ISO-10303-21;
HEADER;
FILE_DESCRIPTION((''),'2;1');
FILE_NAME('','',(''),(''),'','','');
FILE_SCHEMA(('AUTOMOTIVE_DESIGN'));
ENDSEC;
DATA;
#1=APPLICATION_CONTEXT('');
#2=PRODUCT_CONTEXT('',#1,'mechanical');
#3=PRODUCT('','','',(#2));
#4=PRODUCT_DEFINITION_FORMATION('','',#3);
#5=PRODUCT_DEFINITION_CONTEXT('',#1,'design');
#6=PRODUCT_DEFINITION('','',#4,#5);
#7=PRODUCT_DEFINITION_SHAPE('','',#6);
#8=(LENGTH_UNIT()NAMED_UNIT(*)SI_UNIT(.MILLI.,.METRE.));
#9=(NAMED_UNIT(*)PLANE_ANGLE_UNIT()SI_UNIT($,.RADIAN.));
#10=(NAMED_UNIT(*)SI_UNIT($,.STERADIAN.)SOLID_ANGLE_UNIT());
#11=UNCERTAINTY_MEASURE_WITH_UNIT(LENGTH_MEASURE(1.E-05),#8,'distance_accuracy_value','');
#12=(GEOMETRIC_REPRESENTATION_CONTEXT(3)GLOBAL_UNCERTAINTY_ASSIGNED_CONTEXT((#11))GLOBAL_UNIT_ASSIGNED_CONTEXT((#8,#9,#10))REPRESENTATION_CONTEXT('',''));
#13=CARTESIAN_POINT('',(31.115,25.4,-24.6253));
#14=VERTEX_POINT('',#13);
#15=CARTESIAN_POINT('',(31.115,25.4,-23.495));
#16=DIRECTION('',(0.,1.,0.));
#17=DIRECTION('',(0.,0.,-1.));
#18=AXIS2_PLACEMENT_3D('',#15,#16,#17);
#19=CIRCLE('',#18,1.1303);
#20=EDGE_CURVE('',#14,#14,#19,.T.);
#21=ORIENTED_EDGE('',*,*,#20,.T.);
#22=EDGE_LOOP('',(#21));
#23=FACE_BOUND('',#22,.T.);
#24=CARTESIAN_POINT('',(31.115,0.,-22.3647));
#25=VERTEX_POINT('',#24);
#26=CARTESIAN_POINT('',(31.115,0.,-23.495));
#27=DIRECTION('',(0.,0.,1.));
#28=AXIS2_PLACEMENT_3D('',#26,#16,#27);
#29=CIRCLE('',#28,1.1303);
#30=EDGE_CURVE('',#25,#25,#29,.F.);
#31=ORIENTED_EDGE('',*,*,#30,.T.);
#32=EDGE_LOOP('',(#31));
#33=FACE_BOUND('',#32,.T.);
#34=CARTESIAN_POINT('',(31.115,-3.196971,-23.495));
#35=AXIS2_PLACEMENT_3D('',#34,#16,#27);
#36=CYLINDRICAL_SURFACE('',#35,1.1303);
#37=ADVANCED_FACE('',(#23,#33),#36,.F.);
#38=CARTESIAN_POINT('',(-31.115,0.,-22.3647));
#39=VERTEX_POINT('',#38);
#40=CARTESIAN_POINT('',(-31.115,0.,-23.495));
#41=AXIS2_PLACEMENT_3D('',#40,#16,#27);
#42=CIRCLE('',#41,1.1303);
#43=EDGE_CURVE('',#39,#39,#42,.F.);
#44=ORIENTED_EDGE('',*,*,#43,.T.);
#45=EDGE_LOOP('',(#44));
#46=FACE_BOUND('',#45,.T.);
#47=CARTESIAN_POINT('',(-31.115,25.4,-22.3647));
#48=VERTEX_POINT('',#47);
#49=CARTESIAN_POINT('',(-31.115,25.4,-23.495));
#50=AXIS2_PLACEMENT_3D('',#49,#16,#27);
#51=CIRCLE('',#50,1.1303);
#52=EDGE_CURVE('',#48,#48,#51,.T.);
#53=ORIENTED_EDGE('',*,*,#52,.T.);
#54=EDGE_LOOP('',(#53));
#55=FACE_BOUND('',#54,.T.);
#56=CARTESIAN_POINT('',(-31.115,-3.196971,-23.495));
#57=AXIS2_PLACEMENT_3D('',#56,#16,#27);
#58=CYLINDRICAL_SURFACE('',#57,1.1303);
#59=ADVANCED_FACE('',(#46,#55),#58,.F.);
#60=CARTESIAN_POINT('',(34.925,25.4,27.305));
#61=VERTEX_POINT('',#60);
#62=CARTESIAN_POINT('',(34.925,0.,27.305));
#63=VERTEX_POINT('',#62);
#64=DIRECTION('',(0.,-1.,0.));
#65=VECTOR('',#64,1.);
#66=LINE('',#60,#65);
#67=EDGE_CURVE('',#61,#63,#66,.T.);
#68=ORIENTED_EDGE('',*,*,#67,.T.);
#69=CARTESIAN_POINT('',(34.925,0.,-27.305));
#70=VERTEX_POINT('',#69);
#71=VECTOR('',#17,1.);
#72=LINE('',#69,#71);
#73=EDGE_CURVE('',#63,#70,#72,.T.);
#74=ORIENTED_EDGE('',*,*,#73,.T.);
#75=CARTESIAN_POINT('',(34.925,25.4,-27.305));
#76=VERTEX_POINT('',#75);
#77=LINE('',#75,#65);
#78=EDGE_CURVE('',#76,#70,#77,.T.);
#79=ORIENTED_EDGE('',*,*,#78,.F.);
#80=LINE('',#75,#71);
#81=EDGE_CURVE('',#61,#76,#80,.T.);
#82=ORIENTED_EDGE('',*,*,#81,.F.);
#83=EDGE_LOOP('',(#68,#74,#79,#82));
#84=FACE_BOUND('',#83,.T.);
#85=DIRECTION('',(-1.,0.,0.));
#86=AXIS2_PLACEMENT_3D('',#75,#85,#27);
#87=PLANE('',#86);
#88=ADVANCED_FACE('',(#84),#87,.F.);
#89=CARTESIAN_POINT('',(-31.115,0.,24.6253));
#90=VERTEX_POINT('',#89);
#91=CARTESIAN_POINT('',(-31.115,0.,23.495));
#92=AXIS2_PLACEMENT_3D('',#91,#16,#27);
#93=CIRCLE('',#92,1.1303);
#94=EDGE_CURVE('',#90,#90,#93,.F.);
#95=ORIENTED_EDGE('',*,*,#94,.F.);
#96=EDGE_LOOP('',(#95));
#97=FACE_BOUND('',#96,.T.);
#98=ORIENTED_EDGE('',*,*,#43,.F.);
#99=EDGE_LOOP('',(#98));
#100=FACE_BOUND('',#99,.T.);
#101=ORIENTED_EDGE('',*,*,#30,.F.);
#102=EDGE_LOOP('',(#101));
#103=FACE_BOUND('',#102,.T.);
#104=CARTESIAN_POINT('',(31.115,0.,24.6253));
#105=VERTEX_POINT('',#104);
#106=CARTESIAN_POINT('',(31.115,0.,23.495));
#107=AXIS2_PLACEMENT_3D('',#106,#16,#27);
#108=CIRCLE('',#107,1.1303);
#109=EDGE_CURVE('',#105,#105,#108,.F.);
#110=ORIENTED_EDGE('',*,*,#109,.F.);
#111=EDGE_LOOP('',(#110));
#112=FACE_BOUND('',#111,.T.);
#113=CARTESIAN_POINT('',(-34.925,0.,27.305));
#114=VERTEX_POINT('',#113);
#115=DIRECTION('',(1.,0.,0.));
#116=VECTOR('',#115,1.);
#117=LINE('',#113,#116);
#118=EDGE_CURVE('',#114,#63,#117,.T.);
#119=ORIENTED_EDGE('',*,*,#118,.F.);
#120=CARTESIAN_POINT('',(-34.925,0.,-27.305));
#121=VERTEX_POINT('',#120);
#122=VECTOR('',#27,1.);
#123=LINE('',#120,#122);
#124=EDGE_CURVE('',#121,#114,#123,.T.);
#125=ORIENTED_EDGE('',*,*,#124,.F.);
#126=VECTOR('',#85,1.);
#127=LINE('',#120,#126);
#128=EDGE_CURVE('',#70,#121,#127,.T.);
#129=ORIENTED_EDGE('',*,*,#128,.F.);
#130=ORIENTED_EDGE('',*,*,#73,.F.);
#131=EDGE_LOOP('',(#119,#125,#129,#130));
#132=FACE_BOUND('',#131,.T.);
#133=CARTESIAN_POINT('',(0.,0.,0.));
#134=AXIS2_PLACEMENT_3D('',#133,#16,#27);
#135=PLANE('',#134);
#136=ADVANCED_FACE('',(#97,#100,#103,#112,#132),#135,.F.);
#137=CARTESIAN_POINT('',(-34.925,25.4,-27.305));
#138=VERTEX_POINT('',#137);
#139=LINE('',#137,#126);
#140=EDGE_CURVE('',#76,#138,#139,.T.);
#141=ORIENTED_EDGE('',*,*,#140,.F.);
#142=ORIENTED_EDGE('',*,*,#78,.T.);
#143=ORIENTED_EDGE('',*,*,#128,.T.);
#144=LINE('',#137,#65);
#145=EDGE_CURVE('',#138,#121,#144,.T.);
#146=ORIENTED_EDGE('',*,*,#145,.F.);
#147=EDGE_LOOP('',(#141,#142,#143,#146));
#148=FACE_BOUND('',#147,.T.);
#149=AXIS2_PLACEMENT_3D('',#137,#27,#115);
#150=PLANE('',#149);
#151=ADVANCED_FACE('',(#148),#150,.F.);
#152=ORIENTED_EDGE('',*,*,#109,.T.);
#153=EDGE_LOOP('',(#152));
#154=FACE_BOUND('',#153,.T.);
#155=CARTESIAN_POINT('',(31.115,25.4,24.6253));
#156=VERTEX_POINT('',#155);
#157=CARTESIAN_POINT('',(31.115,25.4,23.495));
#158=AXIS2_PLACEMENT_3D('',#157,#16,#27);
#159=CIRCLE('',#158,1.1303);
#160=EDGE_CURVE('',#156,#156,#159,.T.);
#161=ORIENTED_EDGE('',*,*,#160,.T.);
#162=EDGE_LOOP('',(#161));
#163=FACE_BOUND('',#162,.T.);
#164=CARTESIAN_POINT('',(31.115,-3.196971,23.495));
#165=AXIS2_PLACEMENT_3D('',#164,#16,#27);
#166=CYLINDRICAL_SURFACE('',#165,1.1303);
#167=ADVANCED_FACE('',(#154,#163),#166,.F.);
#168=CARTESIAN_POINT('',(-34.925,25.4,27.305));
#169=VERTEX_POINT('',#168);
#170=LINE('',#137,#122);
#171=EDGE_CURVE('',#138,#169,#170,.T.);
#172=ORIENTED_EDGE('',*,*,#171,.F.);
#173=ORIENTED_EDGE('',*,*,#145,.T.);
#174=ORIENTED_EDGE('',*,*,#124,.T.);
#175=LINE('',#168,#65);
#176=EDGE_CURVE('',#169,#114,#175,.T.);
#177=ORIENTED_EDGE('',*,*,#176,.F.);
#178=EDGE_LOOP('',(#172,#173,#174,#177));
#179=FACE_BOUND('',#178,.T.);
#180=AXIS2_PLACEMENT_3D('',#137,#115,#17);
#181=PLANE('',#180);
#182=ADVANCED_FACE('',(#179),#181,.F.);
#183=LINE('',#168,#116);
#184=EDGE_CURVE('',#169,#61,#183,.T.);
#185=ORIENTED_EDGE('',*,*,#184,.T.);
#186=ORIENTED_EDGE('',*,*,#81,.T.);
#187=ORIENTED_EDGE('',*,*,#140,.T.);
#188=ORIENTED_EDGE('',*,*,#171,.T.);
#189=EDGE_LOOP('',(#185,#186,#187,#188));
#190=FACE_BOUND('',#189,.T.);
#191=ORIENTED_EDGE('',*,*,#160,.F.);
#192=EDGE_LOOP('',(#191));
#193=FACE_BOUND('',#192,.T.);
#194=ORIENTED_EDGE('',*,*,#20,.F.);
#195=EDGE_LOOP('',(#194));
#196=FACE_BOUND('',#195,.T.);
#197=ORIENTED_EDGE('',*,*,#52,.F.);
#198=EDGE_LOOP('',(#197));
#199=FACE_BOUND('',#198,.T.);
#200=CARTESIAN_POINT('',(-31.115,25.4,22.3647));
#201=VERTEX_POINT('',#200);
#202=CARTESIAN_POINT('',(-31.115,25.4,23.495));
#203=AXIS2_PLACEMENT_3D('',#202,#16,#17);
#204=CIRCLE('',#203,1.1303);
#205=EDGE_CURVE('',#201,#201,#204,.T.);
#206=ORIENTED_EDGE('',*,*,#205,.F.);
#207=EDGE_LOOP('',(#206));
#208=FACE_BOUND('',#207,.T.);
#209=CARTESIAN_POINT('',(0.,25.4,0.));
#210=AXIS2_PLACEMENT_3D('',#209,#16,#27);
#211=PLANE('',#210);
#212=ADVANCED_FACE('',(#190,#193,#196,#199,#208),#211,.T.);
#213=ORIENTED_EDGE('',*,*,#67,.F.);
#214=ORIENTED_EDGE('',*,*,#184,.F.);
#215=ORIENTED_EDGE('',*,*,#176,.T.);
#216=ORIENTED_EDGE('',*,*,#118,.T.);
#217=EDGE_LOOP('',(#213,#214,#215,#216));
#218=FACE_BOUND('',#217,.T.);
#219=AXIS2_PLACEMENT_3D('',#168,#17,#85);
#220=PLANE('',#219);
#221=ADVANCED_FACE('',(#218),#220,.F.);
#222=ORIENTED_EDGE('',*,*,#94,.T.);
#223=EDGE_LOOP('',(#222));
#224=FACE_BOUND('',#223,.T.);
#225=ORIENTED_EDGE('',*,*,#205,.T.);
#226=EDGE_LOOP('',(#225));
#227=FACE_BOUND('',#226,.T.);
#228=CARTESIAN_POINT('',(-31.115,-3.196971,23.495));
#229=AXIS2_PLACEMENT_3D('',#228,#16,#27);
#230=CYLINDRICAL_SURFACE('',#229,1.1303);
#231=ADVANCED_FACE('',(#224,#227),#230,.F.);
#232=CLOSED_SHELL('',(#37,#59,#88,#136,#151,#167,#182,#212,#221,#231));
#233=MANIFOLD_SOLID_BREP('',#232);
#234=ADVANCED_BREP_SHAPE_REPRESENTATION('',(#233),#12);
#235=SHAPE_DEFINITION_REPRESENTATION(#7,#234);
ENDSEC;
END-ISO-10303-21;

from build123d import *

# Parameters (mm, degrees)
SKETCH1_W           = 69.85
SKETCH1_H           = 54.61
BOSS_EXTRUDE1_DEPTH = 25.4
SKETCH2_R           = 1.1303
CUT_EXTRUDE1_DEPTH  = 25.4


with BuildPart() as part:
    # Sketch1 → Boss-Extrude1 (new body)
    with BuildSketch(Plane(origin=(0, 0, 0), x_dir=(1, 0, 0), z_dir=(0, 1, 0))):
        Rectangle(SKETCH1_W, SKETCH1_H)
    extrude(amount=BOSS_EXTRUDE1_DEPTH)

    # Sketch2 → Cut-Extrude1 (cut)
    with BuildSketch(Plane(origin=(0, 25.4, 0), x_dir=(1, 0, 0), z_dir=(0, 1, 0))):
        with Locations(Location((-31.115, 23.495, 0), (0, 0, 270))):
            Circle(SKETCH2_R)
        with Locations(Location((31.115, 23.495, 0), (0, 0, 270))):
            Circle(SKETCH2_R)
        with Locations(Location((31.115, -23.495, 0), (0, 0, 270))):
            Circle(SKETCH2_R)
        with Locations(Location((-31.115, -23.495, 0), (0, 0, 270))):
            Circle(SKETCH2_R)
    extrude(amount=-CUT_EXTRUDE1_DEPTH, mode=Mode.SUBTRACT)


solid = part.part
